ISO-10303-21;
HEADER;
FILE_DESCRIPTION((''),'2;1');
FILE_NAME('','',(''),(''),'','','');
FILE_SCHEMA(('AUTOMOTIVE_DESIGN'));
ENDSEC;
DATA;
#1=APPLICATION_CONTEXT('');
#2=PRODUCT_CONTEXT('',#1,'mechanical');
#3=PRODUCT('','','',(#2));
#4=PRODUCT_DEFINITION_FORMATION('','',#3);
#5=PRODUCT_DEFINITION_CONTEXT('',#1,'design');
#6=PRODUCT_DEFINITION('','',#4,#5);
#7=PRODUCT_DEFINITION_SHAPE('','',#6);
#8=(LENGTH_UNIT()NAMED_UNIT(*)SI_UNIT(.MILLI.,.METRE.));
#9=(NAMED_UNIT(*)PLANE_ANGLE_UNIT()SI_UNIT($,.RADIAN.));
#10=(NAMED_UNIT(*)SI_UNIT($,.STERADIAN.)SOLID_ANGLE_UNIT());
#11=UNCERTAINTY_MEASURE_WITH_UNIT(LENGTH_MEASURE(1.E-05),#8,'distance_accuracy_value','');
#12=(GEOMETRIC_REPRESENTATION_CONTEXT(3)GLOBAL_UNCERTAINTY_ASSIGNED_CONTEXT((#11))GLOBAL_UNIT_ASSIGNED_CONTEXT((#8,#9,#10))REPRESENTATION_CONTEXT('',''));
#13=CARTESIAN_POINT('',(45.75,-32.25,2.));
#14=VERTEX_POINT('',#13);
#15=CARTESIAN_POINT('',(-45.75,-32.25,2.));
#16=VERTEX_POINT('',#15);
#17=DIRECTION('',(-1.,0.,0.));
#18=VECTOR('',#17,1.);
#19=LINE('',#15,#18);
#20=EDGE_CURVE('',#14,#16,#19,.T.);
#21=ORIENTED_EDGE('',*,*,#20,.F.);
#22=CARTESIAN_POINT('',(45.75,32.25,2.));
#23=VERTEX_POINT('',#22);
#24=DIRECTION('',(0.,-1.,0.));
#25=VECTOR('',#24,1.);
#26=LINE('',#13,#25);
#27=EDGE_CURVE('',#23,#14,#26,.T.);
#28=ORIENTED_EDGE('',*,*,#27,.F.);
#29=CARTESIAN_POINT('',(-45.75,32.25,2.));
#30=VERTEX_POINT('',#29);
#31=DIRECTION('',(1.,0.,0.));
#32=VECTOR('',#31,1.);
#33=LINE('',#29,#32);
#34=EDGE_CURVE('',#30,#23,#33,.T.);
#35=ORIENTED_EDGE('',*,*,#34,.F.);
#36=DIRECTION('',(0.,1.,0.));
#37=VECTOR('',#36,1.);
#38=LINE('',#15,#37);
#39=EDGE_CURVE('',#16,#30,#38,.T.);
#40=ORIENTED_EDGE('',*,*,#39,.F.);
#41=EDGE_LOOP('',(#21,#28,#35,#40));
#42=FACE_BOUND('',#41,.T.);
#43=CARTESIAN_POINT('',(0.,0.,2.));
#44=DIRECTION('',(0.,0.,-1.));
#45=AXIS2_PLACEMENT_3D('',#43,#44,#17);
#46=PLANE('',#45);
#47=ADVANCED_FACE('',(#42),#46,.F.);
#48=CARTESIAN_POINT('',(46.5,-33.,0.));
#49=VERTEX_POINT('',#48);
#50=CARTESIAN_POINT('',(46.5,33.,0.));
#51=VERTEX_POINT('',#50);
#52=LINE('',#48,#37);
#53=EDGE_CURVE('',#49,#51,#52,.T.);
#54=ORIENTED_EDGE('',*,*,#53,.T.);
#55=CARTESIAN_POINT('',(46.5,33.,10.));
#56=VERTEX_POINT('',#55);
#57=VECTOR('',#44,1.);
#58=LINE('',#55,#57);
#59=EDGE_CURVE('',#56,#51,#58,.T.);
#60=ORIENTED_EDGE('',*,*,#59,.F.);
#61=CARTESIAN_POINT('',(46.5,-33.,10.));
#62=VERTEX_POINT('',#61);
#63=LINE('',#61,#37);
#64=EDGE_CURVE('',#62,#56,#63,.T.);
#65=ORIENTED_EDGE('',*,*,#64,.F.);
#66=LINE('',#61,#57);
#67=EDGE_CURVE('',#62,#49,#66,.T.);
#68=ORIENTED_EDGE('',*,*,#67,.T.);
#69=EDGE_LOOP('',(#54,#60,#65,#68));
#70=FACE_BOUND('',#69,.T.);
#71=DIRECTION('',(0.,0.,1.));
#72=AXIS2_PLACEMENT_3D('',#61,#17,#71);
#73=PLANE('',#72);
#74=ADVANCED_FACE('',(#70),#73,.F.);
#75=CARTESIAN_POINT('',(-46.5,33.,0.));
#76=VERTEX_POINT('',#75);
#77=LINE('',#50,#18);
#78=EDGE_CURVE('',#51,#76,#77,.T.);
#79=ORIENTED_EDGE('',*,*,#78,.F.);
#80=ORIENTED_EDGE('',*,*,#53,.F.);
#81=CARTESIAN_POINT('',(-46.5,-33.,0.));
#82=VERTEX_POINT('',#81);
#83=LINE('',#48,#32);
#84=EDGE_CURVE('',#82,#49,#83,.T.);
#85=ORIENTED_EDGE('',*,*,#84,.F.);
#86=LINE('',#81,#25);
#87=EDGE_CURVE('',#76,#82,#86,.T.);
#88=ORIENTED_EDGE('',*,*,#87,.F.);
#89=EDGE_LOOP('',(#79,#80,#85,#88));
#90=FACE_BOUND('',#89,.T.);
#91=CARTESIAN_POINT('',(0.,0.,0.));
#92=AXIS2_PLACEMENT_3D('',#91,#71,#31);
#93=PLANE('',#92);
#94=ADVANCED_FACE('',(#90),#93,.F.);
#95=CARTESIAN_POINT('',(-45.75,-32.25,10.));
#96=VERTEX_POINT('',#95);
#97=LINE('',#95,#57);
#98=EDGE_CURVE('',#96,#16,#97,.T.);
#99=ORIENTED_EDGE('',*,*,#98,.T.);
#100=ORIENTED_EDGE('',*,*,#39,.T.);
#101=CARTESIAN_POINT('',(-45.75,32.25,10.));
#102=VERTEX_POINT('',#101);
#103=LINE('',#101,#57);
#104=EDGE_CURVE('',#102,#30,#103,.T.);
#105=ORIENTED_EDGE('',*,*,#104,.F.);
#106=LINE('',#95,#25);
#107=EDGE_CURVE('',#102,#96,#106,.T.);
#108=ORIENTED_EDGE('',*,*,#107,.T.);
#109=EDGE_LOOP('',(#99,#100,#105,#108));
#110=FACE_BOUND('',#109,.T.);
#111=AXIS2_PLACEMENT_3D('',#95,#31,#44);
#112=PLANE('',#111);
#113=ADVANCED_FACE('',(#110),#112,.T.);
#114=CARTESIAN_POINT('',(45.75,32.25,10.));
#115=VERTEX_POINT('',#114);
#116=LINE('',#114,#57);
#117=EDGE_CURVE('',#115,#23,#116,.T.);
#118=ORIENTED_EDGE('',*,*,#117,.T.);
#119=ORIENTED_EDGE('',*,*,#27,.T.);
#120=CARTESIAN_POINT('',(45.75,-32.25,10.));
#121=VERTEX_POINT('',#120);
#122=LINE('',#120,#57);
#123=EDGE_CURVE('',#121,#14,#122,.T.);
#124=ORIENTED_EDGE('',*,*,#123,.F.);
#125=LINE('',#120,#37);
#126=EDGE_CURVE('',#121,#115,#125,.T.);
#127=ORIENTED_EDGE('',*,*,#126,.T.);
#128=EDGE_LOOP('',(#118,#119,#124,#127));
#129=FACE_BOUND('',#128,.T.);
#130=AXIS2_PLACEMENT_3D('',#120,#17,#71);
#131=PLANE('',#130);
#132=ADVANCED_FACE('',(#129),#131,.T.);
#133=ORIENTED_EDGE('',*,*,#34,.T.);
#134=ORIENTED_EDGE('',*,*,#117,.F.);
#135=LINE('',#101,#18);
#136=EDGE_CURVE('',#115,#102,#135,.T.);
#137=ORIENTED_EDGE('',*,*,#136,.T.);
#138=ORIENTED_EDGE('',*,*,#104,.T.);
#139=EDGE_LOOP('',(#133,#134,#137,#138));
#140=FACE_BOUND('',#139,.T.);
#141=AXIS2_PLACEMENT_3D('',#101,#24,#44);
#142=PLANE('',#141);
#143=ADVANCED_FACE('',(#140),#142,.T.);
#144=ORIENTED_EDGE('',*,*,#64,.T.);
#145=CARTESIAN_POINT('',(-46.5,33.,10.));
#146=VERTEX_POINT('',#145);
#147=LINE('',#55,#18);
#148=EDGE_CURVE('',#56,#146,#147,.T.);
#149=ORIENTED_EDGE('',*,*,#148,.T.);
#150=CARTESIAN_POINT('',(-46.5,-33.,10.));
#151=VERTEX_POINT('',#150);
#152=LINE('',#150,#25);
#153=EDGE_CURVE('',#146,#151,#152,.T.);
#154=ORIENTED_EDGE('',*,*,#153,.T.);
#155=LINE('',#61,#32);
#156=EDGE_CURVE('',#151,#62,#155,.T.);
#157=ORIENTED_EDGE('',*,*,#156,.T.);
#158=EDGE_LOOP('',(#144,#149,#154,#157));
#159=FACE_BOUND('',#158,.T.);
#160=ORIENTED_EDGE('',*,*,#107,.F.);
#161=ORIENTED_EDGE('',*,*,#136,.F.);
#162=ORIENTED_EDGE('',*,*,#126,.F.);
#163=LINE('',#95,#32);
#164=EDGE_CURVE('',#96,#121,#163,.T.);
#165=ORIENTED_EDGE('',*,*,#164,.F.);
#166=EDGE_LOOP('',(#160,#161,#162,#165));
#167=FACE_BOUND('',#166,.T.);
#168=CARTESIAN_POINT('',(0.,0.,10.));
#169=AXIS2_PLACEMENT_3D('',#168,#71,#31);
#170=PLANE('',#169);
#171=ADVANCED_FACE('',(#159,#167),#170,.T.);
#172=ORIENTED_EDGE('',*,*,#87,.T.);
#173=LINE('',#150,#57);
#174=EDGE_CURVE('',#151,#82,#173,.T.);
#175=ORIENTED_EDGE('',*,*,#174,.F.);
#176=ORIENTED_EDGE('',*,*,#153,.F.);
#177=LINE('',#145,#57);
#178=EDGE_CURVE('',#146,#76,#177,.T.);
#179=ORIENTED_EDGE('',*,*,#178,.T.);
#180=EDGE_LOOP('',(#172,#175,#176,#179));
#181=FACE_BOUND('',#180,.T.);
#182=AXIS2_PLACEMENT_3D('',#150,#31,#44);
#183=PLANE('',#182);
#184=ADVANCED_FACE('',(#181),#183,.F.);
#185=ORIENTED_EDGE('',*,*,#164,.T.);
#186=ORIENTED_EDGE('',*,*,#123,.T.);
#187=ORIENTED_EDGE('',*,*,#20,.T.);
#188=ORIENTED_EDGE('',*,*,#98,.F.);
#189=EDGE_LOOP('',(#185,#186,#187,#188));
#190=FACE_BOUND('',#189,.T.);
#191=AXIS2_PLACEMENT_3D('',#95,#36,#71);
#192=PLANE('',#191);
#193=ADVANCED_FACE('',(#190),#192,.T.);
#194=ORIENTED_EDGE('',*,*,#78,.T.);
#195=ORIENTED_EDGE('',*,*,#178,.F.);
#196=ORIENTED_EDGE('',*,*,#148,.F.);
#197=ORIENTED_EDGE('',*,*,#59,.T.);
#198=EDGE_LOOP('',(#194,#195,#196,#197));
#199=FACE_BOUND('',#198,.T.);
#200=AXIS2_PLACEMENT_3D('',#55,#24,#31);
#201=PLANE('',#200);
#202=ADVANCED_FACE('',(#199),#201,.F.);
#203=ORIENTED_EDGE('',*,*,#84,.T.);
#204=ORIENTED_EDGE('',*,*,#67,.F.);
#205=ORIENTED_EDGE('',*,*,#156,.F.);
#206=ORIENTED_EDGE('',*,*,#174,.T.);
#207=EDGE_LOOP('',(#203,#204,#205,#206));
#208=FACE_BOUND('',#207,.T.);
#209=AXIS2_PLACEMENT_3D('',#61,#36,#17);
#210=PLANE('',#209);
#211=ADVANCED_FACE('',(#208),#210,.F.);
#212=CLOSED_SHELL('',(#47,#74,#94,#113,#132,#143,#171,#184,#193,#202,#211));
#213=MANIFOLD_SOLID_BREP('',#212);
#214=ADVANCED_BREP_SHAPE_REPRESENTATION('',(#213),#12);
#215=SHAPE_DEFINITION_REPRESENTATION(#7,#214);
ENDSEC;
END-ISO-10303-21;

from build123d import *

# Parameters (mm, degrees)
SKETCH1_W           = 93
SKETCH1_H           = 66
SKETCH1_W_2         = 91.5
SKETCH1_H_2         = 64.5
BOSS_EXTRUDE1_DEPTH = 10
SKETCH2_W           = 93
SKETCH2_H           = 66
BOSS_EXTRUDE2_DEPTH = 2


with BuildPart() as part:
    # Sketch1 → Boss-Extrude1 (new body)
    with BuildSketch(Plane.XY):
        Rectangle(SKETCH1_W, SKETCH1_H)
        Rectangle(SKETCH1_W_2, SKETCH1_H_2, mode=Mode.SUBTRACT)
    extrude(amount=BOSS_EXTRUDE1_DEPTH)

    # Sketch2 → Boss-Extrude2 (add)
    with BuildSketch(Plane.XY):
        Rectangle(SKETCH2_W, SKETCH2_H)
    extrude(amount=BOSS_EXTRUDE2_DEPTH)


solid = part.part
